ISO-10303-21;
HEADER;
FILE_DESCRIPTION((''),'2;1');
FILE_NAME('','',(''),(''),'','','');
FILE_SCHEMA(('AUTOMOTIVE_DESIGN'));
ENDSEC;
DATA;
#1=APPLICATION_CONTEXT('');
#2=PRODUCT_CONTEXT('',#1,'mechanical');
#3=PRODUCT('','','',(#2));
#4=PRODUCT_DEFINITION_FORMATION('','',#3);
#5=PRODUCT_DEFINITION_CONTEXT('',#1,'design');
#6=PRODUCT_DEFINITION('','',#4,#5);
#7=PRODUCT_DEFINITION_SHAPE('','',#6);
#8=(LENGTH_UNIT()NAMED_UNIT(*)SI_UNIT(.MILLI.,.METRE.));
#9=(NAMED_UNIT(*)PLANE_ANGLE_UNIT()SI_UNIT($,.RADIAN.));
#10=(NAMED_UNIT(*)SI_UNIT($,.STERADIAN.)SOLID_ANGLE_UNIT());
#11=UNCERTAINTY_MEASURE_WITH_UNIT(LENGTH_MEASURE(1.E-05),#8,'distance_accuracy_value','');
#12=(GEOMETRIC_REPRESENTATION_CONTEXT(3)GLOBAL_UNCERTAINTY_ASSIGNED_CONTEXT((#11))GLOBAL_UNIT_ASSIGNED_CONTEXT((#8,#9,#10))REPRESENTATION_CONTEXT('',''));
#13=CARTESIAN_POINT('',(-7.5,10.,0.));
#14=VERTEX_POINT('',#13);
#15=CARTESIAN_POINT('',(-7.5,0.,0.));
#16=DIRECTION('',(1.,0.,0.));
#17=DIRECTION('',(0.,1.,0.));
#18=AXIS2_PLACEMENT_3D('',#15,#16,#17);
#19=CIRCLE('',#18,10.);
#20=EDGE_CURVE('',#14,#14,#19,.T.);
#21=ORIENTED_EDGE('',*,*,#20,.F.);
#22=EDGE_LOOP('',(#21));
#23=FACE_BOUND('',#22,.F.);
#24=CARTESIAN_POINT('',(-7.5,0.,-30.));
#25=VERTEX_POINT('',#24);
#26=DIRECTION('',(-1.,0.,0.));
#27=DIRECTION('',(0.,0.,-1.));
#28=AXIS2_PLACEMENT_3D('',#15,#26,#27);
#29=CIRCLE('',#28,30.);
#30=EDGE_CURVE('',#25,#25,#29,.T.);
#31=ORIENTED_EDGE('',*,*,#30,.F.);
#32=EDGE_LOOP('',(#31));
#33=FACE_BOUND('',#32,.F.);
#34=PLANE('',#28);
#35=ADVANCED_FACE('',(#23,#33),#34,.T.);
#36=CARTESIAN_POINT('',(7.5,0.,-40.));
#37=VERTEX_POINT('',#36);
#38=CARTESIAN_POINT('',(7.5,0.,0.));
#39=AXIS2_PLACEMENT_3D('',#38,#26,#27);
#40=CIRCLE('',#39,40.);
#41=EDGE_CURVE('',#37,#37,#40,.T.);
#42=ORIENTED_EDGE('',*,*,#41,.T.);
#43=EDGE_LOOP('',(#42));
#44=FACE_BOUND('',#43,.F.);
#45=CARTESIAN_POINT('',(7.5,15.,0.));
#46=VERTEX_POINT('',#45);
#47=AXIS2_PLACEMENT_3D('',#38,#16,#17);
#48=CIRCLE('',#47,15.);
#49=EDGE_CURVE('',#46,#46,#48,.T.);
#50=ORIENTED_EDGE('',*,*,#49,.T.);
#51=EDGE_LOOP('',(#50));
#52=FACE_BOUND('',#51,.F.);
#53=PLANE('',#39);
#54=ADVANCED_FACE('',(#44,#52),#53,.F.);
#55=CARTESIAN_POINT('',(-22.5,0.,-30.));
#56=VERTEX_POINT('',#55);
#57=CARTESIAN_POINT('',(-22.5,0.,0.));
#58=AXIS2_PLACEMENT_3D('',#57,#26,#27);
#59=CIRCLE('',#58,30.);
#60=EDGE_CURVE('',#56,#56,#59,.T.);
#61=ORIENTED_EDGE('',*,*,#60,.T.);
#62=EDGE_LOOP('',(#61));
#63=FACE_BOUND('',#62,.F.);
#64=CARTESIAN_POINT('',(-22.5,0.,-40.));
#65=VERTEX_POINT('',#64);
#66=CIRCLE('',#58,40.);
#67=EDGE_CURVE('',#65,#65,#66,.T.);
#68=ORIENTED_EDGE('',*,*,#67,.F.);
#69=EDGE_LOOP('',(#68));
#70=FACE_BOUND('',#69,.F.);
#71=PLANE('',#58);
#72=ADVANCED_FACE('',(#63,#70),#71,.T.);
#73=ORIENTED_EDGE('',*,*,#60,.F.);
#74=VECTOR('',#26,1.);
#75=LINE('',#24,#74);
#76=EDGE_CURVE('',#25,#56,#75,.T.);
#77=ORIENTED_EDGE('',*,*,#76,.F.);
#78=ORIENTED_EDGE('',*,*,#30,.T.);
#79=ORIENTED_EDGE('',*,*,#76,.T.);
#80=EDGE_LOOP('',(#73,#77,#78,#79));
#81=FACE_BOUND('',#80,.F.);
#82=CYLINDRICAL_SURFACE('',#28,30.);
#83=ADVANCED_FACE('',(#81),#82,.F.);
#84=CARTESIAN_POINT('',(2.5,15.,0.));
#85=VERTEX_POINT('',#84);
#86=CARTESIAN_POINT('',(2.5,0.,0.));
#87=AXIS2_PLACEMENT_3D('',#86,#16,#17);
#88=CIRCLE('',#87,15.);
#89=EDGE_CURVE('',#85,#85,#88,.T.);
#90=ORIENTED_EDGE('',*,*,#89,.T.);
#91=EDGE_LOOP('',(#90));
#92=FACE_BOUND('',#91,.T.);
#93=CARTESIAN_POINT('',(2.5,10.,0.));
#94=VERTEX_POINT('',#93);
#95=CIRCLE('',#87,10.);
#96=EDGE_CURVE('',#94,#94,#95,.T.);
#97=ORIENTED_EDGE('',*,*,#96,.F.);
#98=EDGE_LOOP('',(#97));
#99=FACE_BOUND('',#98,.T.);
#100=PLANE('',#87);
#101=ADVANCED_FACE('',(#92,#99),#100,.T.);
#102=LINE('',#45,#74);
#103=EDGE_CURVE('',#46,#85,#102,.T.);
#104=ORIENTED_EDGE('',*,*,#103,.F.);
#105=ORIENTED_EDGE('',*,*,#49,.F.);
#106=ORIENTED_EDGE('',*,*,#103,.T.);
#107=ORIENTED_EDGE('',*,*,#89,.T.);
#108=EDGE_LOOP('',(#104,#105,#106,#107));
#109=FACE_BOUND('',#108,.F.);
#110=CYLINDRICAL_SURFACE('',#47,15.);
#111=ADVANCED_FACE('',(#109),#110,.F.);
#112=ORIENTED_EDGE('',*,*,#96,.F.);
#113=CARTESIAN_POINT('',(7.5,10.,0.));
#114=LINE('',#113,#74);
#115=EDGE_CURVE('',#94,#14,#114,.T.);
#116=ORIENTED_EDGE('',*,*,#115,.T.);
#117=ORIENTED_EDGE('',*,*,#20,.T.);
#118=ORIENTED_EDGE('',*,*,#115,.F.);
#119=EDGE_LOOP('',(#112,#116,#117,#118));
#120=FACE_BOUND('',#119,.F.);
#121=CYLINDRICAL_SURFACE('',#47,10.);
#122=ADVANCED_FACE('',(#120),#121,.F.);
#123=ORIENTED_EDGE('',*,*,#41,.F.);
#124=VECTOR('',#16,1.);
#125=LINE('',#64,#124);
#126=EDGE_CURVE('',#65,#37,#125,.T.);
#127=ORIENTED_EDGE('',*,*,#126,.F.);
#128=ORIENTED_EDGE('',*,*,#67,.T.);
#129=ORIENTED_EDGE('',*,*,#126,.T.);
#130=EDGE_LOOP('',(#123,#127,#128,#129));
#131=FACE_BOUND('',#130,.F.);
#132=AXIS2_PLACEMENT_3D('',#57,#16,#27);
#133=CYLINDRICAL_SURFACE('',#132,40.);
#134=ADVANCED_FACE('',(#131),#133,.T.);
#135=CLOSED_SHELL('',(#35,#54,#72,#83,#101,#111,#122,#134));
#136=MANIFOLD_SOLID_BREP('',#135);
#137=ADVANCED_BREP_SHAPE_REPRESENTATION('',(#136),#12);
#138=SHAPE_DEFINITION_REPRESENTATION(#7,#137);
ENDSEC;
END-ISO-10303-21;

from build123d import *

# Parameters (mm, degrees)
F2_R     = 10
F3_DEPTH = 25
F2_R_2   = 15
F4_DEPTH = 5


with BuildPart() as f1:
    # F0 (on Front) → F1 (revolve)
    with BuildSketch(Plane.XZ):
        Polygon((7.5, 0), (-7.5, 0), (-7.5, -30), (-22.5, -30), (-22.5, -40), (7.5, -40), align=None)
    revolve(axis=Axis((0, 0, 0), (-1, 0, 0)))

    # F2 (on face) → F3 (cut)
    with BuildSketch(Plane.YZ.offset(7.5)):
        Circle(F2_R)
    extrude(amount=-F3_DEPTH, mode=Mode.SUBTRACT)

    # F2 (on face) → F4 (cut)
    with BuildSketch(Plane.YZ.offset(7.5)):
        Circle(F2_R_2)
        Circle(F2_R, mode=Mode.SUBTRACT)
    extrude(amount=-F4_DEPTH, mode=Mode.SUBTRACT)


solid = f1.part
